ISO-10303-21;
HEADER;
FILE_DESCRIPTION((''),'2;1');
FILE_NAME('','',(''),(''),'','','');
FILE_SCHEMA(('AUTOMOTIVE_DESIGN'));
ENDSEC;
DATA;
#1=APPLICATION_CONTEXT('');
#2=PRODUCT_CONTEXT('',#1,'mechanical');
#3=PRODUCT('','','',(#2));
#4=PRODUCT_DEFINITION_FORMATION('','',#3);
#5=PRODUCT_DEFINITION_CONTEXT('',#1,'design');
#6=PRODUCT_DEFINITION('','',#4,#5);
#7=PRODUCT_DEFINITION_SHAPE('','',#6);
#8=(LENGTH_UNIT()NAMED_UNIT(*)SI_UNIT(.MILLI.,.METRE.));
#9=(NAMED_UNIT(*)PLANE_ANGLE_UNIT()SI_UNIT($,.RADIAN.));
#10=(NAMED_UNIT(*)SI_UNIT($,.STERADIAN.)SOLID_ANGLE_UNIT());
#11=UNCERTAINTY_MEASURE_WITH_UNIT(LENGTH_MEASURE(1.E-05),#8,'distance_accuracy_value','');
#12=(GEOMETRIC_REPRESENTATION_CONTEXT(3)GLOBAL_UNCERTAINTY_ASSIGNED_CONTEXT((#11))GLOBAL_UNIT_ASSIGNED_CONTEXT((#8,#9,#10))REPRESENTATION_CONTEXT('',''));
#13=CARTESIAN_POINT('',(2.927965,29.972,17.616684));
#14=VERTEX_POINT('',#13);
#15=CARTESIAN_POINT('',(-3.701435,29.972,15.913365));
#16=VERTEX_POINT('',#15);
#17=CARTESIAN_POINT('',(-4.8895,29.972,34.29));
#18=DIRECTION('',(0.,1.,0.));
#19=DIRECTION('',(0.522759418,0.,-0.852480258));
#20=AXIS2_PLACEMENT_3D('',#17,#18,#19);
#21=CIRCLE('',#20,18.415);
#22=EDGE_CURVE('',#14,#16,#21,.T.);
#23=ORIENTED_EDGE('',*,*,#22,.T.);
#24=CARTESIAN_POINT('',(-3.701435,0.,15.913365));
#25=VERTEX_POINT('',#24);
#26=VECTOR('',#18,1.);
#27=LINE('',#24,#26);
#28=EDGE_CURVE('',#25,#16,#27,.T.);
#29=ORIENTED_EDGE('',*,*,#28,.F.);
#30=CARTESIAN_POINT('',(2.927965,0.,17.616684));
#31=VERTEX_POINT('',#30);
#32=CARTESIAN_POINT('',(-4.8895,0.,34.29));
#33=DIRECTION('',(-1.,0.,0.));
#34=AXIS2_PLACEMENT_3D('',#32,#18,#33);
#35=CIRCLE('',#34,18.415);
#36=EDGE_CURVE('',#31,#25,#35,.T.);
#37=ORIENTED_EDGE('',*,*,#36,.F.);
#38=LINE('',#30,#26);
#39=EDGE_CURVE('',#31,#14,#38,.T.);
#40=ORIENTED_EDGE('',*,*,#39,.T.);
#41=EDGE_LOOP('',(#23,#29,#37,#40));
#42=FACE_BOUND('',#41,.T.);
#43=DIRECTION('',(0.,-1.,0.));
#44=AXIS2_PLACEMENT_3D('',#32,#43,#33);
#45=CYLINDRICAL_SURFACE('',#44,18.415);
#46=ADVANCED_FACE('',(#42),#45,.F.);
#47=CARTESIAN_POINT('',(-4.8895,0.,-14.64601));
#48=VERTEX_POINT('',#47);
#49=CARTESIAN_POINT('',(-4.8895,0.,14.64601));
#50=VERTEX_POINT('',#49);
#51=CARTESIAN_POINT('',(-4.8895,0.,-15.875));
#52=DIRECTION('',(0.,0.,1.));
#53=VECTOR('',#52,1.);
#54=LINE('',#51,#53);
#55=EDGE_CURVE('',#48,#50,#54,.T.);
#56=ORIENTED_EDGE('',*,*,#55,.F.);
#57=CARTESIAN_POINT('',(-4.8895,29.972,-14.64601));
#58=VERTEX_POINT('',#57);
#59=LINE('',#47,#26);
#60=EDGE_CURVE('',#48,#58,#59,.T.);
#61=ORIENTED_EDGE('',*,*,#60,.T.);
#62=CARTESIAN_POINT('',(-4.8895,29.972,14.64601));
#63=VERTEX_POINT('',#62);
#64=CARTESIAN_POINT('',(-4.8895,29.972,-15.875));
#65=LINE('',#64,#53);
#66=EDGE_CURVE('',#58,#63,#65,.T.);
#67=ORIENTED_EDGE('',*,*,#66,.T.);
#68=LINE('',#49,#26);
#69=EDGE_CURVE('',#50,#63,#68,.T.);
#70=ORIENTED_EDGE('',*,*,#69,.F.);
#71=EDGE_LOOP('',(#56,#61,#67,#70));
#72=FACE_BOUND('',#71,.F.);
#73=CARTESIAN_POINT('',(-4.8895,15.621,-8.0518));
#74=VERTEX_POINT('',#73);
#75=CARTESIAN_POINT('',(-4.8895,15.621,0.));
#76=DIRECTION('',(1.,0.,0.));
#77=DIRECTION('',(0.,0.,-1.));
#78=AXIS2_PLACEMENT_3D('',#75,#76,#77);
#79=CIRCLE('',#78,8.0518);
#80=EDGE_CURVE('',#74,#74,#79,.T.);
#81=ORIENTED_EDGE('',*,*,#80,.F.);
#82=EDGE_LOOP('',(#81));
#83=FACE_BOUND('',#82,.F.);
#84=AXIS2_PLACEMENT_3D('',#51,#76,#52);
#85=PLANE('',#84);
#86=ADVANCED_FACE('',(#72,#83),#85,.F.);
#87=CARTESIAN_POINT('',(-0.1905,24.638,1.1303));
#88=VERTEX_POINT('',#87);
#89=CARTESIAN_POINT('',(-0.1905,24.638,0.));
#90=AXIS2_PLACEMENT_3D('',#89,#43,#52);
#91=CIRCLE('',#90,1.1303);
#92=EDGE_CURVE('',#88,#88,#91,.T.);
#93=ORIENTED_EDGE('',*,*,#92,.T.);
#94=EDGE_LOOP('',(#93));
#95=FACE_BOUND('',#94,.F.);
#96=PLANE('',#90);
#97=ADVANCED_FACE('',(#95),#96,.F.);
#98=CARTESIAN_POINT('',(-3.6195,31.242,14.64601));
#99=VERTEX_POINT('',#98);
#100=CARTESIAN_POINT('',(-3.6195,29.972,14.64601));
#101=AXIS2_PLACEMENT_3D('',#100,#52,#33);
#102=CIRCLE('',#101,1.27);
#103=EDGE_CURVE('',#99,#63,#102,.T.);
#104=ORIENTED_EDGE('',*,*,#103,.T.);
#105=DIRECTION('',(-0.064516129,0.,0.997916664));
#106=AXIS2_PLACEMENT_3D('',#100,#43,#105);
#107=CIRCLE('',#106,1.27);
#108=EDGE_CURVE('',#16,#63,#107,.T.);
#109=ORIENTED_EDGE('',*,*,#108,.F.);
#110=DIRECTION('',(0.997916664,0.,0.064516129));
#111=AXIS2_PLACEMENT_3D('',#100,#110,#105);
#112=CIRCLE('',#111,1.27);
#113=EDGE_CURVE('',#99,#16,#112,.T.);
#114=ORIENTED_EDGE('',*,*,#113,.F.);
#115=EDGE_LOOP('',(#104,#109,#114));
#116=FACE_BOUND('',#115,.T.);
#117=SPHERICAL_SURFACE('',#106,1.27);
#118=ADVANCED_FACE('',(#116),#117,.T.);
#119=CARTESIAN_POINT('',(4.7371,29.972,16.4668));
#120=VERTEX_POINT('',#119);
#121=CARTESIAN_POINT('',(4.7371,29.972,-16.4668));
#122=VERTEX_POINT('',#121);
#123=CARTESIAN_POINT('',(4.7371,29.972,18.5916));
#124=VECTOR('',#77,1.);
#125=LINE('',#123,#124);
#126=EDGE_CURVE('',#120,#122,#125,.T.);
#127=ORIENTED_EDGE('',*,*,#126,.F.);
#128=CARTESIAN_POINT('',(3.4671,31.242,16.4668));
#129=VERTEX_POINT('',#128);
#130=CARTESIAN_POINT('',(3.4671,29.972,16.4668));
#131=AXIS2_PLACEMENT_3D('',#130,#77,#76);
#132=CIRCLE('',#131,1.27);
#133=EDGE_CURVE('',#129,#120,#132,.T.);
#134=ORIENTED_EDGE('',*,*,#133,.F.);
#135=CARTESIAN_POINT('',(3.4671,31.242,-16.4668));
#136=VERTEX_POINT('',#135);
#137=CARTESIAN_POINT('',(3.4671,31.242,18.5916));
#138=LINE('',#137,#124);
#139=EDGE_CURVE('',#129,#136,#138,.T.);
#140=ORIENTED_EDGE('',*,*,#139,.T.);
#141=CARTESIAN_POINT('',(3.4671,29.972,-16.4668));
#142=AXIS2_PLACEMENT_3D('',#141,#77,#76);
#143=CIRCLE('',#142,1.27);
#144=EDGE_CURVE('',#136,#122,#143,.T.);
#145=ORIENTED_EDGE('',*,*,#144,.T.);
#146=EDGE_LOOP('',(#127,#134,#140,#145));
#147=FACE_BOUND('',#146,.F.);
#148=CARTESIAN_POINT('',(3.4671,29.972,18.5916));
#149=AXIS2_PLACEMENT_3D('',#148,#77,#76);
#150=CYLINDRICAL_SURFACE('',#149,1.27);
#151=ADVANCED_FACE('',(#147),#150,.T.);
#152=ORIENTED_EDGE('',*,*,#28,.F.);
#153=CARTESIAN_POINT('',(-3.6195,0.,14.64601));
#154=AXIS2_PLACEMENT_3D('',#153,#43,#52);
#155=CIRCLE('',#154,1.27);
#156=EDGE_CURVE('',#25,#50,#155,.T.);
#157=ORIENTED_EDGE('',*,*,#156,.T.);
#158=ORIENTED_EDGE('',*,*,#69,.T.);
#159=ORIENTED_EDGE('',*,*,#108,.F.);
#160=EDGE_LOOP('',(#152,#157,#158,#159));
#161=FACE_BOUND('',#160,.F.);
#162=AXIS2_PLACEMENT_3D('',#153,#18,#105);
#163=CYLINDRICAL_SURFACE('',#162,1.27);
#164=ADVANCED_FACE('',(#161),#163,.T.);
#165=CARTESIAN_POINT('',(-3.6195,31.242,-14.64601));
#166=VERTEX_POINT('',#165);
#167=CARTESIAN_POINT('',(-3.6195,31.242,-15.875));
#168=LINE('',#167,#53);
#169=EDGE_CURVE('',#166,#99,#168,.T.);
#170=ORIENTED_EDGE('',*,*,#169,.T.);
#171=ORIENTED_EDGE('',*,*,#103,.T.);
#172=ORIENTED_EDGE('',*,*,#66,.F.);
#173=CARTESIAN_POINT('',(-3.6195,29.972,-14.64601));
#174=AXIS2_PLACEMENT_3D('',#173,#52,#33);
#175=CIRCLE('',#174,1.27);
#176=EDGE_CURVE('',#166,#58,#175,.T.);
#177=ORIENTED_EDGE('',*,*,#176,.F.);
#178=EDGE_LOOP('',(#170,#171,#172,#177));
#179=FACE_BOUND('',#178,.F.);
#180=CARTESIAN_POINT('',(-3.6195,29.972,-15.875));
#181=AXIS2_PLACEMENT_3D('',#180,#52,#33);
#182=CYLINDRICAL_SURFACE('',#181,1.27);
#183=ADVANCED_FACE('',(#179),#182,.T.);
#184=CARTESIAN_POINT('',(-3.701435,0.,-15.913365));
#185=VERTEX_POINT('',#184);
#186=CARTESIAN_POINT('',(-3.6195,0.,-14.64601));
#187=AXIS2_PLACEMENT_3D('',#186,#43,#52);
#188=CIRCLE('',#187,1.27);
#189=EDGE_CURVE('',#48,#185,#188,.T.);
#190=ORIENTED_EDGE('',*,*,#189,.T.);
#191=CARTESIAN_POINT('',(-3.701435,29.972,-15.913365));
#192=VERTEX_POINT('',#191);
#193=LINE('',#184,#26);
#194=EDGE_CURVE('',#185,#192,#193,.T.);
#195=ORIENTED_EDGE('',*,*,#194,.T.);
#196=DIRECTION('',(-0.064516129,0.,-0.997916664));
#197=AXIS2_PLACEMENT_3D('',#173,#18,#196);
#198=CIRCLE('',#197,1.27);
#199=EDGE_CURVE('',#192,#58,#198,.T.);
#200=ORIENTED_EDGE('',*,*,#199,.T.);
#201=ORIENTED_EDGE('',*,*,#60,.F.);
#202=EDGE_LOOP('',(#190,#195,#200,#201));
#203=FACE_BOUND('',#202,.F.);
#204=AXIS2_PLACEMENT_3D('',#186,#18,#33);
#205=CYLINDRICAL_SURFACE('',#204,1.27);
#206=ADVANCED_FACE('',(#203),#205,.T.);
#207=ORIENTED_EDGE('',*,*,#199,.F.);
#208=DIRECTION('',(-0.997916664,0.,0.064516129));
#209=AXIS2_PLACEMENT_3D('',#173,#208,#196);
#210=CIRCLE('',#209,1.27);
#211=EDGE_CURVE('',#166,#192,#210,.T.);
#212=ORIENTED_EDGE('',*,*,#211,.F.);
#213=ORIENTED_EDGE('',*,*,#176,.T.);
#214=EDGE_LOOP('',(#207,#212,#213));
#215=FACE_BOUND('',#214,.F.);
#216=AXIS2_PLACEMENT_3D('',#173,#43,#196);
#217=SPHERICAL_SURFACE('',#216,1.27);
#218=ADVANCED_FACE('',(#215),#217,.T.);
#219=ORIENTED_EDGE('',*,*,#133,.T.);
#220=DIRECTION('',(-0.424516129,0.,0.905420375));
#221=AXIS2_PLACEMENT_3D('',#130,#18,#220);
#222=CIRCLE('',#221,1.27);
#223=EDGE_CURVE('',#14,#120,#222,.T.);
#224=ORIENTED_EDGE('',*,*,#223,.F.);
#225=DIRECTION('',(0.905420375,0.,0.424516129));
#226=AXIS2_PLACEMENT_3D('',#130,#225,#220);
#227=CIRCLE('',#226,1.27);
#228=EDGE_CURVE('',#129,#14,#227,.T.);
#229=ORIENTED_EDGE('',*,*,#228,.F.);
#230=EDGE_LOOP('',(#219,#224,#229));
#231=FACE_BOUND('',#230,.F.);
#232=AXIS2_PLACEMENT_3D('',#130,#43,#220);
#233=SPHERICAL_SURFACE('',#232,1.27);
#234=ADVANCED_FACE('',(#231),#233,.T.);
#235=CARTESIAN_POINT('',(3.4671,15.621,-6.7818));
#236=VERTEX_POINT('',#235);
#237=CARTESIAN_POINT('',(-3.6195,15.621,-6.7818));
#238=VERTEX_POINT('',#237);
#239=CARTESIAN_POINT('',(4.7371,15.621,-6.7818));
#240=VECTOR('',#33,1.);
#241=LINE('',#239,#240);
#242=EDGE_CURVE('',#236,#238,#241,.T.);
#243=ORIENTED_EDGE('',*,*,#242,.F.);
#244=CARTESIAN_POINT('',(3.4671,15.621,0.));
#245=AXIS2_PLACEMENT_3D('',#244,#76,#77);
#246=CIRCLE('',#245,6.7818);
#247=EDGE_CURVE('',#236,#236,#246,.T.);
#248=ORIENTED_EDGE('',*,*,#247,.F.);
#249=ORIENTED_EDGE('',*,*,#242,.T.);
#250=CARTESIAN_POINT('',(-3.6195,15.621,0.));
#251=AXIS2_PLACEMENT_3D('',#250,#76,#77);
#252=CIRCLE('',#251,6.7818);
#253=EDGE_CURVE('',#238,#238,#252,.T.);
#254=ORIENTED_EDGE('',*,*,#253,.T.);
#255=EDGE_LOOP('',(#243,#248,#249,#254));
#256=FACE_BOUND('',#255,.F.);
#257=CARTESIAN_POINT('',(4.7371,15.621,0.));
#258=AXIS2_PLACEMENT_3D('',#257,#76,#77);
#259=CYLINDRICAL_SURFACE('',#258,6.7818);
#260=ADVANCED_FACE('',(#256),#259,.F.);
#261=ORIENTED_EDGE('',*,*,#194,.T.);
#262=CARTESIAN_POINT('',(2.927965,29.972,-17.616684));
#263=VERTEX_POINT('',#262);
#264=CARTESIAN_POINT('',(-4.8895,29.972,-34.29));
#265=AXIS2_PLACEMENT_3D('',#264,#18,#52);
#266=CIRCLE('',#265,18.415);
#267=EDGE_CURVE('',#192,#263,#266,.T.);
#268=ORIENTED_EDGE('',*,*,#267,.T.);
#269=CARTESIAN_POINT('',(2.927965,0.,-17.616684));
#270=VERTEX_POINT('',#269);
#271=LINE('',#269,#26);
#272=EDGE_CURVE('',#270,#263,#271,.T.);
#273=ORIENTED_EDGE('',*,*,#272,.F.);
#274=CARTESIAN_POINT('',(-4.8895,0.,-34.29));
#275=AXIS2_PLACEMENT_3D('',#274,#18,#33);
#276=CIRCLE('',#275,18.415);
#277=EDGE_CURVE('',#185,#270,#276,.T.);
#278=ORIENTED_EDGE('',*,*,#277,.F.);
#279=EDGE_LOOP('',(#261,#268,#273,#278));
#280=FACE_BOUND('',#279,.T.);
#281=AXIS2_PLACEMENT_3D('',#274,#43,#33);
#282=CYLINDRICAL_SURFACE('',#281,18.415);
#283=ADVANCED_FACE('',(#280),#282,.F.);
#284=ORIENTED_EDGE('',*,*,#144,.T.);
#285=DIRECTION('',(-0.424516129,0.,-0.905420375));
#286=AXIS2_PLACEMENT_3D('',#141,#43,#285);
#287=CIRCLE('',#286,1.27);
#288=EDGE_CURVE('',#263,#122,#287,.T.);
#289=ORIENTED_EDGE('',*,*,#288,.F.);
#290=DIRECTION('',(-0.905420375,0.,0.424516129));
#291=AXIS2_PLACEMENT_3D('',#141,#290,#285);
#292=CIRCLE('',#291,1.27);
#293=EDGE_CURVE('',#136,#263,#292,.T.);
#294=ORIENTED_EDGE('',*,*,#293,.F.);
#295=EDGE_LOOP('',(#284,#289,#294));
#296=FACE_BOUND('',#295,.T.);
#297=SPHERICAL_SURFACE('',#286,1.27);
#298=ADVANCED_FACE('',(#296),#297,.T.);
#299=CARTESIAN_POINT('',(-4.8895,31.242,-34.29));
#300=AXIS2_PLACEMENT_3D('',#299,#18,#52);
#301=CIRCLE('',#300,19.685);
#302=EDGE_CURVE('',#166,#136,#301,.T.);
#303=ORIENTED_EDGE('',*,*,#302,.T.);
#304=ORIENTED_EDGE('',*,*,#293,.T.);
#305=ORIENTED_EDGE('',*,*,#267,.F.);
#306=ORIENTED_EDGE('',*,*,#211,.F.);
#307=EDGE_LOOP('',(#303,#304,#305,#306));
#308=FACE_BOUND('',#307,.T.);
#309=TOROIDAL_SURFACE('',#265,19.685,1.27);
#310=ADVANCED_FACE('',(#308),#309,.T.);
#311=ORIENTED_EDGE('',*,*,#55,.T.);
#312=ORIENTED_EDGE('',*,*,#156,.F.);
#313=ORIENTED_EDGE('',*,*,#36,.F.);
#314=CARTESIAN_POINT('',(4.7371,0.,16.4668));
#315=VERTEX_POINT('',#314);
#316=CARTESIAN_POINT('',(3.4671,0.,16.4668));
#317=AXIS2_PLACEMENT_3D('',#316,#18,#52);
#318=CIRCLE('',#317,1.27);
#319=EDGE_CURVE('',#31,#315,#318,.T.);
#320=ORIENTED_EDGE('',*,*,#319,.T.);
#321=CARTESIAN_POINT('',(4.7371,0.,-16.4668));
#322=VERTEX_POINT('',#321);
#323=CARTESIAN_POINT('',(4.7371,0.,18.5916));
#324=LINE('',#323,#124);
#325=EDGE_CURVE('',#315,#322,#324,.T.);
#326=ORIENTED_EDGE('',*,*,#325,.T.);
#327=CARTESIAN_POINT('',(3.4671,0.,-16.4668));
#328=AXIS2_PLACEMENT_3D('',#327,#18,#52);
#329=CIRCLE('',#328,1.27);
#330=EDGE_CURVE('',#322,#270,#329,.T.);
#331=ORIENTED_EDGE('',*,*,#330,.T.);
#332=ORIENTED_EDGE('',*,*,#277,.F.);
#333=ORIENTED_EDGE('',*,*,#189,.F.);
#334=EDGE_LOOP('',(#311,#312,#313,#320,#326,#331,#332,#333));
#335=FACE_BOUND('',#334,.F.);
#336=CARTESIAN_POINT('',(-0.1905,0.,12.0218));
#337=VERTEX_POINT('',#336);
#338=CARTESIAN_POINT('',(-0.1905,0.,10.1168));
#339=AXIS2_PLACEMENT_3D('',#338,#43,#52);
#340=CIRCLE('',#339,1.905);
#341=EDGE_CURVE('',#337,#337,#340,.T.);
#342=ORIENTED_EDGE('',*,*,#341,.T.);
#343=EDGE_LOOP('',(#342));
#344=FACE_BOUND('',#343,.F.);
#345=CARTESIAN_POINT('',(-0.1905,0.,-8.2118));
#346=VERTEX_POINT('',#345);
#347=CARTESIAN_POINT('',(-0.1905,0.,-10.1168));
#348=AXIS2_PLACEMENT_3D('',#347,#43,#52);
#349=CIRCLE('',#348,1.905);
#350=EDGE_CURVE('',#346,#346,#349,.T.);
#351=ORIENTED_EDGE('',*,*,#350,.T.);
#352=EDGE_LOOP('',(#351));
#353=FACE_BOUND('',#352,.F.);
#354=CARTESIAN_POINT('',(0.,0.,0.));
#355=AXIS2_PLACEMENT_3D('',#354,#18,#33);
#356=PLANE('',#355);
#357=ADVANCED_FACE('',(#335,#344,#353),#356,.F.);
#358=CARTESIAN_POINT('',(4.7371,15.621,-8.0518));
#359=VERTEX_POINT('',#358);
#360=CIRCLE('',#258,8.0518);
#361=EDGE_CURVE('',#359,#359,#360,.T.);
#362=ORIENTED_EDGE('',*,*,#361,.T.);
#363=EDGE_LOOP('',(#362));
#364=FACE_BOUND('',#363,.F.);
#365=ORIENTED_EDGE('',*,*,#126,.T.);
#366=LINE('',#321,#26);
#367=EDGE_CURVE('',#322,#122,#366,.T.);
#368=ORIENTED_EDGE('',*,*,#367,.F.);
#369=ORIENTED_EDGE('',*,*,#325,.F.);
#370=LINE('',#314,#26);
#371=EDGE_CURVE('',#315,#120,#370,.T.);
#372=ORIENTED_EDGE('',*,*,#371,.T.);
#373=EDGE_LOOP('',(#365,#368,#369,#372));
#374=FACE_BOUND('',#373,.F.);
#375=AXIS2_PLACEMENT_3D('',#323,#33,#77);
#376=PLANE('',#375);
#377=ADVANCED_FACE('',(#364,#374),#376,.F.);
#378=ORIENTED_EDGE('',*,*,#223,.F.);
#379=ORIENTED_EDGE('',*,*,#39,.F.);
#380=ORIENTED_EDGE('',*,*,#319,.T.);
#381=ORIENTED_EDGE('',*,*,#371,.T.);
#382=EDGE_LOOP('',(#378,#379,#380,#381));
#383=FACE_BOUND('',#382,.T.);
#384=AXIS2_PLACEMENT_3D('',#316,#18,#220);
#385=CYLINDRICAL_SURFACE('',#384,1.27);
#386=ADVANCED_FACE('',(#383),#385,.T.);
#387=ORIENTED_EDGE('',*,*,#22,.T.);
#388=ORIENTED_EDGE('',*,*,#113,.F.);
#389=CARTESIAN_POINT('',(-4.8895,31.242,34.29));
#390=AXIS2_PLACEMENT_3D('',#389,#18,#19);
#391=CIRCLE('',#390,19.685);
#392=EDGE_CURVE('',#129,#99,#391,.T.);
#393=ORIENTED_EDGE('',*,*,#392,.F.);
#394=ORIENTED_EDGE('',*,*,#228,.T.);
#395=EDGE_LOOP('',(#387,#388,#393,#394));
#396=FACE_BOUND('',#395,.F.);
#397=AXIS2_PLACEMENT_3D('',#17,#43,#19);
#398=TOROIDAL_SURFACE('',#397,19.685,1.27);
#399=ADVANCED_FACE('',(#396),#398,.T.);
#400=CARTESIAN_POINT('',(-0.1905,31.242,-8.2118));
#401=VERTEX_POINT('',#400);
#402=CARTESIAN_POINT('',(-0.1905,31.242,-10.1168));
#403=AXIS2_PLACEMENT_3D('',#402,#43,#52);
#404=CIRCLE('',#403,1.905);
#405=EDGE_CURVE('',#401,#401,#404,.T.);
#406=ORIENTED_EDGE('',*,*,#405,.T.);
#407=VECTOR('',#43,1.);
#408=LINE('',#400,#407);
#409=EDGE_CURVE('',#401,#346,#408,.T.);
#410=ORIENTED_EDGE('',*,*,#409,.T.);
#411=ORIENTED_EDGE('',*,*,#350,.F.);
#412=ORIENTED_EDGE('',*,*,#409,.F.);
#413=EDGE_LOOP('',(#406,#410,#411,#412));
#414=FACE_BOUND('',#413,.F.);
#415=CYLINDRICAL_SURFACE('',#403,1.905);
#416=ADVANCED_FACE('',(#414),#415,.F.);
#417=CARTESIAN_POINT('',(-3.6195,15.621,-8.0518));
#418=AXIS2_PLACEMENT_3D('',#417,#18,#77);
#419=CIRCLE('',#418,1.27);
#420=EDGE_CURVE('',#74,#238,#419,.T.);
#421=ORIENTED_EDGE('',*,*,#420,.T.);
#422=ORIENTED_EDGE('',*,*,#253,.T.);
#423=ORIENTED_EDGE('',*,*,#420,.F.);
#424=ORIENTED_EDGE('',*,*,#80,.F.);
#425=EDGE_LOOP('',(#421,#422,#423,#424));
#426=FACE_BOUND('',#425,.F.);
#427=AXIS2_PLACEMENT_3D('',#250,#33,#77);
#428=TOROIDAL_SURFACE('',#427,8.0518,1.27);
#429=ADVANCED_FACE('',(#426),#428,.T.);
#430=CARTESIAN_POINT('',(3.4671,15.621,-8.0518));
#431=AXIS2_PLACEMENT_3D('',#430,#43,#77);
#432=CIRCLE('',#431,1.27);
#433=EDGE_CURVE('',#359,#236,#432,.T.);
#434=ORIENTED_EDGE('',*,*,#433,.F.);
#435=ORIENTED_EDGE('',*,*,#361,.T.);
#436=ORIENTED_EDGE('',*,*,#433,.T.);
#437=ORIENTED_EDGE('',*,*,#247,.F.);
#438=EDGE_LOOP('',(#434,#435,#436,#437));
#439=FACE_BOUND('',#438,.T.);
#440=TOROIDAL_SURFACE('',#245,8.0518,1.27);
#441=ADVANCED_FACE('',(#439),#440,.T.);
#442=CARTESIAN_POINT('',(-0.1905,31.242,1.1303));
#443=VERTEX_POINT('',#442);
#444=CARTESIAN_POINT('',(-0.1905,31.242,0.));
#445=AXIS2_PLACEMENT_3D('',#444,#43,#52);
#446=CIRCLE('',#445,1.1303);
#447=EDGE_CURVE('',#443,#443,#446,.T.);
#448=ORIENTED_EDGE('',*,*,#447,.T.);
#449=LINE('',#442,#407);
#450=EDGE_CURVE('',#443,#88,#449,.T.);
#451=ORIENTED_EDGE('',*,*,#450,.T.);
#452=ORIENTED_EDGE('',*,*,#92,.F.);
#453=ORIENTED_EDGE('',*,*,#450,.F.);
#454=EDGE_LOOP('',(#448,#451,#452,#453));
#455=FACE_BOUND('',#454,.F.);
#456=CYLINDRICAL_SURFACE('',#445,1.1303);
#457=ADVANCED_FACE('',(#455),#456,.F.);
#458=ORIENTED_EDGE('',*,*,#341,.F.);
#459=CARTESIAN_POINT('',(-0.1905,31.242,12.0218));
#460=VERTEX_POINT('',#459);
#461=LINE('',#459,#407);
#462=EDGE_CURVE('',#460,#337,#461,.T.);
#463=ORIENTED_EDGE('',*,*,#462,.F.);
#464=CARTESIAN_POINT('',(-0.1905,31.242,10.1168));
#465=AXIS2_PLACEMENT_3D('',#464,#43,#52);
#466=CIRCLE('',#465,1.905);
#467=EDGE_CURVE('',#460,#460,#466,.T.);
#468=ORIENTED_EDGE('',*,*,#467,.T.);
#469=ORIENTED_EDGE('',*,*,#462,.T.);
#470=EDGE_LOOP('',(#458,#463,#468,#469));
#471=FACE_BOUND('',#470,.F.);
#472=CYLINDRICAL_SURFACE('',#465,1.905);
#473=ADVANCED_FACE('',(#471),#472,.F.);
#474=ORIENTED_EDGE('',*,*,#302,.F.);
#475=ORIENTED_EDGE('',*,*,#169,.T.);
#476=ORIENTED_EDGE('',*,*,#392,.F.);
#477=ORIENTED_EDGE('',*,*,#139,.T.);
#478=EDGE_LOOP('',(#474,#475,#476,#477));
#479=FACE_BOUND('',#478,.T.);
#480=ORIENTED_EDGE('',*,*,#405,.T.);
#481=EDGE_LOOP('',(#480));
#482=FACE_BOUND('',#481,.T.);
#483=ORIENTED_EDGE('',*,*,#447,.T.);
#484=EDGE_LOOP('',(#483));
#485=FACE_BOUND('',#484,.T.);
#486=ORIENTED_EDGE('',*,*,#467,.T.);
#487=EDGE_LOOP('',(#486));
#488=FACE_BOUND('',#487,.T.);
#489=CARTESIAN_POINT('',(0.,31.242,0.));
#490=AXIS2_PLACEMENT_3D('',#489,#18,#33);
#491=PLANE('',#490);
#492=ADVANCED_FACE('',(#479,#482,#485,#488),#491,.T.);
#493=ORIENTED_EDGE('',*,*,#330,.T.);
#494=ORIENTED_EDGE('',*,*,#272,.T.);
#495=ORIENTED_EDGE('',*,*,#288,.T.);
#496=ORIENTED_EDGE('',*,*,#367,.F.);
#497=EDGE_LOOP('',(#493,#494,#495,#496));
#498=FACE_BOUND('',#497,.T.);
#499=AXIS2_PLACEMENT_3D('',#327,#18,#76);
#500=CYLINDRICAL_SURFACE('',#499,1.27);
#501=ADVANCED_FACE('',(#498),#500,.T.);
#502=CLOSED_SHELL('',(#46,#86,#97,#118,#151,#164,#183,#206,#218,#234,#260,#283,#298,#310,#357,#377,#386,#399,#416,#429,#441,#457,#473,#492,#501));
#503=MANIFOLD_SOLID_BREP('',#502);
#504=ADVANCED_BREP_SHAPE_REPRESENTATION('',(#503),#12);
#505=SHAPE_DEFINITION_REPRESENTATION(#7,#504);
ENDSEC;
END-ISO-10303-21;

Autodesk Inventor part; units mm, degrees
ref_plane "YZ Plane" through (0, 0, 0) normal (1, 0, 0) x (0, 1, 0)
ref_plane "XZ Plane" through (0, 0, 0) normal (0, 1, 0) x (-1, 0, 0)
ref_plane "XY Plane" through (0, 0, 0) normal (0, 0, 1) x (1, 0, 0)
sketch "Sketch1" plane through (0, 0, 0) normal (0, 1, 0) x (-1, 0, 0)
  line L0 (-4.7371, 18.5916) -> (-4.7371, -18.5916)
  line L1 (4.8895, -15.875) -> (4.8895, 15.875)
  circle A0 centre (4.8895, -34.29) radius 18.415
  circle A1 centre (4.8895, 34.29) radius 18.415
  point P0 (0, 0)
  point P1 (4.8895, 0)
  dimension "d3" = 31.75
  dimension "d10" = 36.83
  dimension "d11" = 9.6266
  dimension "d12" = 4.8895
  dimension "d13" = 0
  dimension "d14" = 0
  dimension "d15" = 16.6109
extrude "Extrusion1" add sketch "Sketch1" along normal blind 31.242 contours A1 L1 A0 L0
sketch "Sketch2" plane through (4.7371, 0, 18.5916) normal (1, 0, 0) x (0, 0, -1)
  circle A0 centre (18.5916, 15.621) radius 6.7818
  line L0 (0, 31.242) -> (37.1831, 31.242) projected
  line L1 (0, 0) -> (0, 31.242) projected
  point P0 (18.5916, 0)
  point P1 (18.5916, 31.242)
  point P2 (0, 15.621)
  dimension "d39" = 13.5636
extrude "Extrusion2" cut sketch "Sketch2" against normal through all
fillet "Fillet1" radius 1.27 10 edges at (4.7371, 15.621, 6.7818) (-4.8895, 15.621, 6.7818) (4.7371, 31.242, 0) (4.7371, 15.621, -18.5916) (4.7371, 15.621, 18.5916) (-4.8895, 15.621, 15.875) (0.1118, 31.242, 16.5671) (0.1118, 31.242, -16.5671) (-4.8895, 31.242, 0) (-4.8895, 15.621, -15.875)
sketch "Sketch3" plane through (0, 31.242, 0) normal (0, 1, 0) x (1, 0, 0)
  arc A0 (2.928, -17.6167) -> (4.7371, -16.4668) centre (3.4671, -16.4668) ccw projected
  arc A1 (4.7371, 16.4668) -> (2.928, 17.6167) centre (3.4671, 16.4668) ccw projected
  line L0 (-4.8895, 14.646) -> (-4.8895, -14.646) projected
  point P0 (0, 0)
  point P1 (-0.1905, -10.1168)
  point P2 (-0.1905, 10.1168)
  dimension "d22" = 6.35
  dimension "d23" = 6.35
  dimension "d38" = 4.699
hole "Hole1" at (-0.1905, 31.242, 10.1168) at (-0.1905, 31.242, -10.1168) direction (0, -1, 0) diameter 3.81 end through all
sketch "Sketch4" plane through (0, 31.242, 0) normal (0, 1, 0) x (1, 0, 0)
  circle A0 centre (-0.1905, -10.1168) radius 1.905 projected
  circle A1 centre (-0.1905, 10.1168) radius 1.905 projected
  arc A2 (-3.6195, 14.646) -> (3.4671, 16.4668) centre (-4.8895, 34.29) ccw projected
  line L0 (-3.6195, -14.646) -> (-3.6195, 14.646) projected
  arc A3 (3.4671, -16.4668) -> (-3.6195, -14.646) centre (-4.8895, -34.29) ccw projected
  line L1 (3.4671, 16.4668) -> (3.4671, -16.4668) projected
  point P0 (0, 0)
  point P1 (-0.1905, 0)
hole "Hole2" at (-0.1905, 31.242, 0) direction (0, -1, 0) diameter 2.2606 depth 6.604
equation "\"d23\" = d22"
properties part number "BatteryBrace"
